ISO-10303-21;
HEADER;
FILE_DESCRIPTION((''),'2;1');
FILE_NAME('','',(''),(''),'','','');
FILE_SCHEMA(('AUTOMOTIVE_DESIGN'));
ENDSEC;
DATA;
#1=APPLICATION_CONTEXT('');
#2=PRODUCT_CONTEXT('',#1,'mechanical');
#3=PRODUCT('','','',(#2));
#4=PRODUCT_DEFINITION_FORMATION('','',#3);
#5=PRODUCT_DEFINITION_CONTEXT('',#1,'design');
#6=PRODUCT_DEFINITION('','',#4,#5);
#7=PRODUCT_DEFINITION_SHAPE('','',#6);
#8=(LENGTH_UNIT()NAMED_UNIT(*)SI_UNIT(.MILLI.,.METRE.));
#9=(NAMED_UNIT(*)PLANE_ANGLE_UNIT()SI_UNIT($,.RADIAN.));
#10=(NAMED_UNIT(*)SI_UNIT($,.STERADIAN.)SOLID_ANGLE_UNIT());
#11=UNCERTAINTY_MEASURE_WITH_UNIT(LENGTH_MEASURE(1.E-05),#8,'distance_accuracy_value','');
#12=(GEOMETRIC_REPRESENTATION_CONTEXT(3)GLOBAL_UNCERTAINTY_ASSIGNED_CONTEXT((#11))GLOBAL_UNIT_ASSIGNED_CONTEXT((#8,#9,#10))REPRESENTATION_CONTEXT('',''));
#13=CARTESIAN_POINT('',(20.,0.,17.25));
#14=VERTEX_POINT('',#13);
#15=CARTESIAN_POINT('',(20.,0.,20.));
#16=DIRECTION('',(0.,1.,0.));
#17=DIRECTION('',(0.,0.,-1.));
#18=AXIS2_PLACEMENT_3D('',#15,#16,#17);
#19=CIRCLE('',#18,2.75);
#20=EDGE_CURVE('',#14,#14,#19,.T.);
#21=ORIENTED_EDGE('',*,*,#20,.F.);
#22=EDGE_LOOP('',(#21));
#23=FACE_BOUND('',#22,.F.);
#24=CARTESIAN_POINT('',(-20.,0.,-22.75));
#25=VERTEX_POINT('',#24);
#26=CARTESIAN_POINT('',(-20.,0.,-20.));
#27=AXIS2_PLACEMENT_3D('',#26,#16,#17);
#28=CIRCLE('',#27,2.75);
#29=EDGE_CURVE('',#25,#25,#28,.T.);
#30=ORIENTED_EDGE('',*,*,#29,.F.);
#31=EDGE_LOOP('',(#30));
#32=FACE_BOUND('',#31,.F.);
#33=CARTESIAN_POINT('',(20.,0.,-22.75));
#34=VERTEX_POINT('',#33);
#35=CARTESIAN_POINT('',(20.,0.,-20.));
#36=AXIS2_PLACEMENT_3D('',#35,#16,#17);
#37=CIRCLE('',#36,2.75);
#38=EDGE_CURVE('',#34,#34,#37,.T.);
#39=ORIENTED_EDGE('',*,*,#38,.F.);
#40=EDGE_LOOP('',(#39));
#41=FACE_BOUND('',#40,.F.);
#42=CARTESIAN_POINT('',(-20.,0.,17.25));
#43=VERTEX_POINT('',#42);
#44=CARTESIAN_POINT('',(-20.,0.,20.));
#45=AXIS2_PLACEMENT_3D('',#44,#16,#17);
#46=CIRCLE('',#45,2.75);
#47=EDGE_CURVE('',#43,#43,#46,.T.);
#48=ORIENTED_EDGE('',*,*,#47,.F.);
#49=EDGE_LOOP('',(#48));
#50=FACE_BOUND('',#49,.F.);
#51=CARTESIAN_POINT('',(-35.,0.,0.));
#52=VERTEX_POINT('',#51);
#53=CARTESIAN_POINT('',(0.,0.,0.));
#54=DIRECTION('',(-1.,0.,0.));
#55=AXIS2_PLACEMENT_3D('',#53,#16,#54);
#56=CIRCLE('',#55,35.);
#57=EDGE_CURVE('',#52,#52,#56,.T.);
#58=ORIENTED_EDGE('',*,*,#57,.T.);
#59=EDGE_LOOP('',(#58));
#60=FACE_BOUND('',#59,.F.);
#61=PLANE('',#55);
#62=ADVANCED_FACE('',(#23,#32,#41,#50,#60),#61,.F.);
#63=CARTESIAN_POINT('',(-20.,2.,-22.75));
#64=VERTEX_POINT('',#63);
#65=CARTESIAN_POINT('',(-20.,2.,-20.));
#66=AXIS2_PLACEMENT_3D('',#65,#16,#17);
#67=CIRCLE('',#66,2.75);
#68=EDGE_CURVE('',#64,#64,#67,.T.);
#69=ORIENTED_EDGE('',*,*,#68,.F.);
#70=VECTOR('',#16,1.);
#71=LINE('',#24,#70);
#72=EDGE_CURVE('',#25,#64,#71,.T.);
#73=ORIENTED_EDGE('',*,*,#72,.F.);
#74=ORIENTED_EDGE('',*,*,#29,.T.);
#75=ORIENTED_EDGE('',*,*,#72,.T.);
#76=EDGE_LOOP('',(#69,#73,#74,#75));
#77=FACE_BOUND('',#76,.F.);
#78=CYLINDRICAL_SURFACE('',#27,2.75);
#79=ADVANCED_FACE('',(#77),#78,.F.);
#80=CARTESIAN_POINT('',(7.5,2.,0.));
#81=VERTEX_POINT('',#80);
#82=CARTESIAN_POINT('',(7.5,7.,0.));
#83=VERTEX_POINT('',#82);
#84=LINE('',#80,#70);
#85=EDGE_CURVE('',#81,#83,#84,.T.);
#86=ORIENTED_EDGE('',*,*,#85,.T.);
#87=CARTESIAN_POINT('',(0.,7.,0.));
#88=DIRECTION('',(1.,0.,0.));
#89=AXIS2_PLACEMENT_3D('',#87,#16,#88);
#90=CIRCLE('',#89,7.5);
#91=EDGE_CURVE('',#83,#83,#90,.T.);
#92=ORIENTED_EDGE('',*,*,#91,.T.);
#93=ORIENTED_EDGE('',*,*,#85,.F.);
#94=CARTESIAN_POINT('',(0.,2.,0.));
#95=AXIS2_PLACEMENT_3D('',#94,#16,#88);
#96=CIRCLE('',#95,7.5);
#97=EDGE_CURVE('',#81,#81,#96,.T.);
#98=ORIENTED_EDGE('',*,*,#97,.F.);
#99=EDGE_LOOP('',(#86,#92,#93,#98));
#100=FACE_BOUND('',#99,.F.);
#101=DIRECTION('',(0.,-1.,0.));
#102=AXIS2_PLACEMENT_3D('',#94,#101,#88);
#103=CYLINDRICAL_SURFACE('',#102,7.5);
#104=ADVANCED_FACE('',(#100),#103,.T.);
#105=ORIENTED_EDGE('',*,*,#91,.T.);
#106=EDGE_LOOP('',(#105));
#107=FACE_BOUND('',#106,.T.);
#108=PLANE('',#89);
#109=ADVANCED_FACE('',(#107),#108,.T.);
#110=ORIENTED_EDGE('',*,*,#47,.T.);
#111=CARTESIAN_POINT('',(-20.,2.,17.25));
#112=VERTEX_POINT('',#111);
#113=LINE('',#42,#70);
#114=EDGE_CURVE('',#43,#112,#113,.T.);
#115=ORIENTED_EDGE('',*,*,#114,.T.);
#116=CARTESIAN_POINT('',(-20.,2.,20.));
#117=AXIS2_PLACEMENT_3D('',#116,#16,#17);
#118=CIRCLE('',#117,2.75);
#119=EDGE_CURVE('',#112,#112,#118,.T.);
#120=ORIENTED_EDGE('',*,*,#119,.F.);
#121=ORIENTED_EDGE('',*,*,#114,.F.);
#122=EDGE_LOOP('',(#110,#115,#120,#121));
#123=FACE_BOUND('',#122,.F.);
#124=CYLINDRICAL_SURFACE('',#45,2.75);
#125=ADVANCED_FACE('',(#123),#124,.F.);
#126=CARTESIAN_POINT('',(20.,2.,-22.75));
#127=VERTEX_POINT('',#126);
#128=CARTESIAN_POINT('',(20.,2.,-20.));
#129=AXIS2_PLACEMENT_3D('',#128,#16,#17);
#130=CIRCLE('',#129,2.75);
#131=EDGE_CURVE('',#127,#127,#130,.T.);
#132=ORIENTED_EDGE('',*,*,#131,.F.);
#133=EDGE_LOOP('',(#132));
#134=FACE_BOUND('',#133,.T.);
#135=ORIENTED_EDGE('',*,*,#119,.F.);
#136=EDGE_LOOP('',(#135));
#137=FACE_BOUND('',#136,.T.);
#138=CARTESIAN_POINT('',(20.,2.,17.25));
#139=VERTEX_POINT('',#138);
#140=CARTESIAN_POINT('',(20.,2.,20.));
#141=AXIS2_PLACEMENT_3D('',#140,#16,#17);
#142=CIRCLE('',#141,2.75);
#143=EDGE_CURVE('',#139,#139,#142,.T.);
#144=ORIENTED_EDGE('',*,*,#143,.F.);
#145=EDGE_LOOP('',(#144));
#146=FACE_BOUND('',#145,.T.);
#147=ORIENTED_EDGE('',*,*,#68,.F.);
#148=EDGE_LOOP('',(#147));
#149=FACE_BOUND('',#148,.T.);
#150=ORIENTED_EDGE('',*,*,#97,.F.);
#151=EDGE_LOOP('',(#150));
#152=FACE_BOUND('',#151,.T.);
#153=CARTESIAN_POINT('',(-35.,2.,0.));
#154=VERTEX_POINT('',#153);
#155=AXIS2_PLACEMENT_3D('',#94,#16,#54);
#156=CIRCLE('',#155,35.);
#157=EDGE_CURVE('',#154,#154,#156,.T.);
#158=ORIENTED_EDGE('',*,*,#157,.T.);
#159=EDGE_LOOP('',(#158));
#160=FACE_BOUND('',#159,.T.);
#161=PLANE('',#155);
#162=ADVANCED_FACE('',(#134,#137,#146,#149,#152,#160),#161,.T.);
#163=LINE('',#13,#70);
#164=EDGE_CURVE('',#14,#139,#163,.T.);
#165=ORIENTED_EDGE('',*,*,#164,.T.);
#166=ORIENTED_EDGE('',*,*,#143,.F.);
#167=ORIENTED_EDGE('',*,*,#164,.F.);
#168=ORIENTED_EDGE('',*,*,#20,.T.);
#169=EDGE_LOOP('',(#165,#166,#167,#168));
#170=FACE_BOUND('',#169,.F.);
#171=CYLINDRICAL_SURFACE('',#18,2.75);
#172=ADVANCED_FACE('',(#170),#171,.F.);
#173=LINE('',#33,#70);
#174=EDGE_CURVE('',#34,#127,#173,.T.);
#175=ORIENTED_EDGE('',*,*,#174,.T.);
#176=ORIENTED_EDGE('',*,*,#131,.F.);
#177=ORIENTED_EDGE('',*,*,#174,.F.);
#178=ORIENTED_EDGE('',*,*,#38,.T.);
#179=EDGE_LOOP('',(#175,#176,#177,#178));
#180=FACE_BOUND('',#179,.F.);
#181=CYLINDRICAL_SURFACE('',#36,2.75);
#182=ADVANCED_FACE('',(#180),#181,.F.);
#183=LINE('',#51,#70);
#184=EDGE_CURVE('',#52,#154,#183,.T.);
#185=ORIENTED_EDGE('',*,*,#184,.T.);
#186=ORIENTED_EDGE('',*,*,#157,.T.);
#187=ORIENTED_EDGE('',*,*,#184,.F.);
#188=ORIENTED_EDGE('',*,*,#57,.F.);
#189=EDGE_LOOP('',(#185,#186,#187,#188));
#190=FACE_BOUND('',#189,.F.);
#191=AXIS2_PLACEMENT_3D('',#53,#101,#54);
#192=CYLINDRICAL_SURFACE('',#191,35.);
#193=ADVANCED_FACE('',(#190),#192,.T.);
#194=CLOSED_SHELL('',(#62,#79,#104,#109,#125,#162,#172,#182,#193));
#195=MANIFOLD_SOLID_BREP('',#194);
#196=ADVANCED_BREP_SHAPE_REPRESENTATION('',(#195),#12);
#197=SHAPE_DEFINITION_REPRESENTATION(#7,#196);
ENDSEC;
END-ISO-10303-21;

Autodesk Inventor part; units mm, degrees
ref_plane "YZ Plane" through (0, 0, 0) normal (1, 0, 0) x (0, 1, 0)
ref_plane "XZ Plane" through (0, 0, 0) normal (0, 1, 0) x (-1, 0, 0)
ref_plane "XY Plane" through (0, 0, 0) normal (0, 0, 1) x (1, 0, 0)
sketch "Sketch1" plane through (0, 0, 0) normal (0, 1, 0) x (-1, 0, 0)
  circle A0 centre (0, 0) radius 35
  dimension "d0" = 70
extrude "Extrusion1" add sketch "Sketch1" along normal blind 2
sketch "Sketch2" plane through (0, 2, 0) normal (0, 1, 0) x (1, 0, 0)
  circle A0 centre (0, 0) radius 7.5
  dimension "d3" = 15
extrude "Extrusion2" add sketch "Sketch2" along normal blind 5
sketch "Sketch3" plane through (0, 0, 0) normal (0, -1, 0) x (1, 0, 0)
  line L0 (22.7941, 0) -> (-22.7941, 0) construction
  line L1 (0, 29.7059) -> (0, -29.7059) construction
  point P0 (0, 0)
  point P1 (20, 20)
  point P2 (20, -20)
  point P3 (-20, -20)
  point P4 (-20, 20)
  point P5 (0, 0)
  dimension "d6" = 40
  dimension "d7" = 40
  dimension "d8" = 20
  dimension "d9" = 20
hole "Hole1" at (20, 0, 20) at (20, 0, -20) at (-20, 0, -20) at (-20, 0, 20) direction (0, 1, 0) diameter 5.5 end through all
properties part number "FlanschSchablone"
